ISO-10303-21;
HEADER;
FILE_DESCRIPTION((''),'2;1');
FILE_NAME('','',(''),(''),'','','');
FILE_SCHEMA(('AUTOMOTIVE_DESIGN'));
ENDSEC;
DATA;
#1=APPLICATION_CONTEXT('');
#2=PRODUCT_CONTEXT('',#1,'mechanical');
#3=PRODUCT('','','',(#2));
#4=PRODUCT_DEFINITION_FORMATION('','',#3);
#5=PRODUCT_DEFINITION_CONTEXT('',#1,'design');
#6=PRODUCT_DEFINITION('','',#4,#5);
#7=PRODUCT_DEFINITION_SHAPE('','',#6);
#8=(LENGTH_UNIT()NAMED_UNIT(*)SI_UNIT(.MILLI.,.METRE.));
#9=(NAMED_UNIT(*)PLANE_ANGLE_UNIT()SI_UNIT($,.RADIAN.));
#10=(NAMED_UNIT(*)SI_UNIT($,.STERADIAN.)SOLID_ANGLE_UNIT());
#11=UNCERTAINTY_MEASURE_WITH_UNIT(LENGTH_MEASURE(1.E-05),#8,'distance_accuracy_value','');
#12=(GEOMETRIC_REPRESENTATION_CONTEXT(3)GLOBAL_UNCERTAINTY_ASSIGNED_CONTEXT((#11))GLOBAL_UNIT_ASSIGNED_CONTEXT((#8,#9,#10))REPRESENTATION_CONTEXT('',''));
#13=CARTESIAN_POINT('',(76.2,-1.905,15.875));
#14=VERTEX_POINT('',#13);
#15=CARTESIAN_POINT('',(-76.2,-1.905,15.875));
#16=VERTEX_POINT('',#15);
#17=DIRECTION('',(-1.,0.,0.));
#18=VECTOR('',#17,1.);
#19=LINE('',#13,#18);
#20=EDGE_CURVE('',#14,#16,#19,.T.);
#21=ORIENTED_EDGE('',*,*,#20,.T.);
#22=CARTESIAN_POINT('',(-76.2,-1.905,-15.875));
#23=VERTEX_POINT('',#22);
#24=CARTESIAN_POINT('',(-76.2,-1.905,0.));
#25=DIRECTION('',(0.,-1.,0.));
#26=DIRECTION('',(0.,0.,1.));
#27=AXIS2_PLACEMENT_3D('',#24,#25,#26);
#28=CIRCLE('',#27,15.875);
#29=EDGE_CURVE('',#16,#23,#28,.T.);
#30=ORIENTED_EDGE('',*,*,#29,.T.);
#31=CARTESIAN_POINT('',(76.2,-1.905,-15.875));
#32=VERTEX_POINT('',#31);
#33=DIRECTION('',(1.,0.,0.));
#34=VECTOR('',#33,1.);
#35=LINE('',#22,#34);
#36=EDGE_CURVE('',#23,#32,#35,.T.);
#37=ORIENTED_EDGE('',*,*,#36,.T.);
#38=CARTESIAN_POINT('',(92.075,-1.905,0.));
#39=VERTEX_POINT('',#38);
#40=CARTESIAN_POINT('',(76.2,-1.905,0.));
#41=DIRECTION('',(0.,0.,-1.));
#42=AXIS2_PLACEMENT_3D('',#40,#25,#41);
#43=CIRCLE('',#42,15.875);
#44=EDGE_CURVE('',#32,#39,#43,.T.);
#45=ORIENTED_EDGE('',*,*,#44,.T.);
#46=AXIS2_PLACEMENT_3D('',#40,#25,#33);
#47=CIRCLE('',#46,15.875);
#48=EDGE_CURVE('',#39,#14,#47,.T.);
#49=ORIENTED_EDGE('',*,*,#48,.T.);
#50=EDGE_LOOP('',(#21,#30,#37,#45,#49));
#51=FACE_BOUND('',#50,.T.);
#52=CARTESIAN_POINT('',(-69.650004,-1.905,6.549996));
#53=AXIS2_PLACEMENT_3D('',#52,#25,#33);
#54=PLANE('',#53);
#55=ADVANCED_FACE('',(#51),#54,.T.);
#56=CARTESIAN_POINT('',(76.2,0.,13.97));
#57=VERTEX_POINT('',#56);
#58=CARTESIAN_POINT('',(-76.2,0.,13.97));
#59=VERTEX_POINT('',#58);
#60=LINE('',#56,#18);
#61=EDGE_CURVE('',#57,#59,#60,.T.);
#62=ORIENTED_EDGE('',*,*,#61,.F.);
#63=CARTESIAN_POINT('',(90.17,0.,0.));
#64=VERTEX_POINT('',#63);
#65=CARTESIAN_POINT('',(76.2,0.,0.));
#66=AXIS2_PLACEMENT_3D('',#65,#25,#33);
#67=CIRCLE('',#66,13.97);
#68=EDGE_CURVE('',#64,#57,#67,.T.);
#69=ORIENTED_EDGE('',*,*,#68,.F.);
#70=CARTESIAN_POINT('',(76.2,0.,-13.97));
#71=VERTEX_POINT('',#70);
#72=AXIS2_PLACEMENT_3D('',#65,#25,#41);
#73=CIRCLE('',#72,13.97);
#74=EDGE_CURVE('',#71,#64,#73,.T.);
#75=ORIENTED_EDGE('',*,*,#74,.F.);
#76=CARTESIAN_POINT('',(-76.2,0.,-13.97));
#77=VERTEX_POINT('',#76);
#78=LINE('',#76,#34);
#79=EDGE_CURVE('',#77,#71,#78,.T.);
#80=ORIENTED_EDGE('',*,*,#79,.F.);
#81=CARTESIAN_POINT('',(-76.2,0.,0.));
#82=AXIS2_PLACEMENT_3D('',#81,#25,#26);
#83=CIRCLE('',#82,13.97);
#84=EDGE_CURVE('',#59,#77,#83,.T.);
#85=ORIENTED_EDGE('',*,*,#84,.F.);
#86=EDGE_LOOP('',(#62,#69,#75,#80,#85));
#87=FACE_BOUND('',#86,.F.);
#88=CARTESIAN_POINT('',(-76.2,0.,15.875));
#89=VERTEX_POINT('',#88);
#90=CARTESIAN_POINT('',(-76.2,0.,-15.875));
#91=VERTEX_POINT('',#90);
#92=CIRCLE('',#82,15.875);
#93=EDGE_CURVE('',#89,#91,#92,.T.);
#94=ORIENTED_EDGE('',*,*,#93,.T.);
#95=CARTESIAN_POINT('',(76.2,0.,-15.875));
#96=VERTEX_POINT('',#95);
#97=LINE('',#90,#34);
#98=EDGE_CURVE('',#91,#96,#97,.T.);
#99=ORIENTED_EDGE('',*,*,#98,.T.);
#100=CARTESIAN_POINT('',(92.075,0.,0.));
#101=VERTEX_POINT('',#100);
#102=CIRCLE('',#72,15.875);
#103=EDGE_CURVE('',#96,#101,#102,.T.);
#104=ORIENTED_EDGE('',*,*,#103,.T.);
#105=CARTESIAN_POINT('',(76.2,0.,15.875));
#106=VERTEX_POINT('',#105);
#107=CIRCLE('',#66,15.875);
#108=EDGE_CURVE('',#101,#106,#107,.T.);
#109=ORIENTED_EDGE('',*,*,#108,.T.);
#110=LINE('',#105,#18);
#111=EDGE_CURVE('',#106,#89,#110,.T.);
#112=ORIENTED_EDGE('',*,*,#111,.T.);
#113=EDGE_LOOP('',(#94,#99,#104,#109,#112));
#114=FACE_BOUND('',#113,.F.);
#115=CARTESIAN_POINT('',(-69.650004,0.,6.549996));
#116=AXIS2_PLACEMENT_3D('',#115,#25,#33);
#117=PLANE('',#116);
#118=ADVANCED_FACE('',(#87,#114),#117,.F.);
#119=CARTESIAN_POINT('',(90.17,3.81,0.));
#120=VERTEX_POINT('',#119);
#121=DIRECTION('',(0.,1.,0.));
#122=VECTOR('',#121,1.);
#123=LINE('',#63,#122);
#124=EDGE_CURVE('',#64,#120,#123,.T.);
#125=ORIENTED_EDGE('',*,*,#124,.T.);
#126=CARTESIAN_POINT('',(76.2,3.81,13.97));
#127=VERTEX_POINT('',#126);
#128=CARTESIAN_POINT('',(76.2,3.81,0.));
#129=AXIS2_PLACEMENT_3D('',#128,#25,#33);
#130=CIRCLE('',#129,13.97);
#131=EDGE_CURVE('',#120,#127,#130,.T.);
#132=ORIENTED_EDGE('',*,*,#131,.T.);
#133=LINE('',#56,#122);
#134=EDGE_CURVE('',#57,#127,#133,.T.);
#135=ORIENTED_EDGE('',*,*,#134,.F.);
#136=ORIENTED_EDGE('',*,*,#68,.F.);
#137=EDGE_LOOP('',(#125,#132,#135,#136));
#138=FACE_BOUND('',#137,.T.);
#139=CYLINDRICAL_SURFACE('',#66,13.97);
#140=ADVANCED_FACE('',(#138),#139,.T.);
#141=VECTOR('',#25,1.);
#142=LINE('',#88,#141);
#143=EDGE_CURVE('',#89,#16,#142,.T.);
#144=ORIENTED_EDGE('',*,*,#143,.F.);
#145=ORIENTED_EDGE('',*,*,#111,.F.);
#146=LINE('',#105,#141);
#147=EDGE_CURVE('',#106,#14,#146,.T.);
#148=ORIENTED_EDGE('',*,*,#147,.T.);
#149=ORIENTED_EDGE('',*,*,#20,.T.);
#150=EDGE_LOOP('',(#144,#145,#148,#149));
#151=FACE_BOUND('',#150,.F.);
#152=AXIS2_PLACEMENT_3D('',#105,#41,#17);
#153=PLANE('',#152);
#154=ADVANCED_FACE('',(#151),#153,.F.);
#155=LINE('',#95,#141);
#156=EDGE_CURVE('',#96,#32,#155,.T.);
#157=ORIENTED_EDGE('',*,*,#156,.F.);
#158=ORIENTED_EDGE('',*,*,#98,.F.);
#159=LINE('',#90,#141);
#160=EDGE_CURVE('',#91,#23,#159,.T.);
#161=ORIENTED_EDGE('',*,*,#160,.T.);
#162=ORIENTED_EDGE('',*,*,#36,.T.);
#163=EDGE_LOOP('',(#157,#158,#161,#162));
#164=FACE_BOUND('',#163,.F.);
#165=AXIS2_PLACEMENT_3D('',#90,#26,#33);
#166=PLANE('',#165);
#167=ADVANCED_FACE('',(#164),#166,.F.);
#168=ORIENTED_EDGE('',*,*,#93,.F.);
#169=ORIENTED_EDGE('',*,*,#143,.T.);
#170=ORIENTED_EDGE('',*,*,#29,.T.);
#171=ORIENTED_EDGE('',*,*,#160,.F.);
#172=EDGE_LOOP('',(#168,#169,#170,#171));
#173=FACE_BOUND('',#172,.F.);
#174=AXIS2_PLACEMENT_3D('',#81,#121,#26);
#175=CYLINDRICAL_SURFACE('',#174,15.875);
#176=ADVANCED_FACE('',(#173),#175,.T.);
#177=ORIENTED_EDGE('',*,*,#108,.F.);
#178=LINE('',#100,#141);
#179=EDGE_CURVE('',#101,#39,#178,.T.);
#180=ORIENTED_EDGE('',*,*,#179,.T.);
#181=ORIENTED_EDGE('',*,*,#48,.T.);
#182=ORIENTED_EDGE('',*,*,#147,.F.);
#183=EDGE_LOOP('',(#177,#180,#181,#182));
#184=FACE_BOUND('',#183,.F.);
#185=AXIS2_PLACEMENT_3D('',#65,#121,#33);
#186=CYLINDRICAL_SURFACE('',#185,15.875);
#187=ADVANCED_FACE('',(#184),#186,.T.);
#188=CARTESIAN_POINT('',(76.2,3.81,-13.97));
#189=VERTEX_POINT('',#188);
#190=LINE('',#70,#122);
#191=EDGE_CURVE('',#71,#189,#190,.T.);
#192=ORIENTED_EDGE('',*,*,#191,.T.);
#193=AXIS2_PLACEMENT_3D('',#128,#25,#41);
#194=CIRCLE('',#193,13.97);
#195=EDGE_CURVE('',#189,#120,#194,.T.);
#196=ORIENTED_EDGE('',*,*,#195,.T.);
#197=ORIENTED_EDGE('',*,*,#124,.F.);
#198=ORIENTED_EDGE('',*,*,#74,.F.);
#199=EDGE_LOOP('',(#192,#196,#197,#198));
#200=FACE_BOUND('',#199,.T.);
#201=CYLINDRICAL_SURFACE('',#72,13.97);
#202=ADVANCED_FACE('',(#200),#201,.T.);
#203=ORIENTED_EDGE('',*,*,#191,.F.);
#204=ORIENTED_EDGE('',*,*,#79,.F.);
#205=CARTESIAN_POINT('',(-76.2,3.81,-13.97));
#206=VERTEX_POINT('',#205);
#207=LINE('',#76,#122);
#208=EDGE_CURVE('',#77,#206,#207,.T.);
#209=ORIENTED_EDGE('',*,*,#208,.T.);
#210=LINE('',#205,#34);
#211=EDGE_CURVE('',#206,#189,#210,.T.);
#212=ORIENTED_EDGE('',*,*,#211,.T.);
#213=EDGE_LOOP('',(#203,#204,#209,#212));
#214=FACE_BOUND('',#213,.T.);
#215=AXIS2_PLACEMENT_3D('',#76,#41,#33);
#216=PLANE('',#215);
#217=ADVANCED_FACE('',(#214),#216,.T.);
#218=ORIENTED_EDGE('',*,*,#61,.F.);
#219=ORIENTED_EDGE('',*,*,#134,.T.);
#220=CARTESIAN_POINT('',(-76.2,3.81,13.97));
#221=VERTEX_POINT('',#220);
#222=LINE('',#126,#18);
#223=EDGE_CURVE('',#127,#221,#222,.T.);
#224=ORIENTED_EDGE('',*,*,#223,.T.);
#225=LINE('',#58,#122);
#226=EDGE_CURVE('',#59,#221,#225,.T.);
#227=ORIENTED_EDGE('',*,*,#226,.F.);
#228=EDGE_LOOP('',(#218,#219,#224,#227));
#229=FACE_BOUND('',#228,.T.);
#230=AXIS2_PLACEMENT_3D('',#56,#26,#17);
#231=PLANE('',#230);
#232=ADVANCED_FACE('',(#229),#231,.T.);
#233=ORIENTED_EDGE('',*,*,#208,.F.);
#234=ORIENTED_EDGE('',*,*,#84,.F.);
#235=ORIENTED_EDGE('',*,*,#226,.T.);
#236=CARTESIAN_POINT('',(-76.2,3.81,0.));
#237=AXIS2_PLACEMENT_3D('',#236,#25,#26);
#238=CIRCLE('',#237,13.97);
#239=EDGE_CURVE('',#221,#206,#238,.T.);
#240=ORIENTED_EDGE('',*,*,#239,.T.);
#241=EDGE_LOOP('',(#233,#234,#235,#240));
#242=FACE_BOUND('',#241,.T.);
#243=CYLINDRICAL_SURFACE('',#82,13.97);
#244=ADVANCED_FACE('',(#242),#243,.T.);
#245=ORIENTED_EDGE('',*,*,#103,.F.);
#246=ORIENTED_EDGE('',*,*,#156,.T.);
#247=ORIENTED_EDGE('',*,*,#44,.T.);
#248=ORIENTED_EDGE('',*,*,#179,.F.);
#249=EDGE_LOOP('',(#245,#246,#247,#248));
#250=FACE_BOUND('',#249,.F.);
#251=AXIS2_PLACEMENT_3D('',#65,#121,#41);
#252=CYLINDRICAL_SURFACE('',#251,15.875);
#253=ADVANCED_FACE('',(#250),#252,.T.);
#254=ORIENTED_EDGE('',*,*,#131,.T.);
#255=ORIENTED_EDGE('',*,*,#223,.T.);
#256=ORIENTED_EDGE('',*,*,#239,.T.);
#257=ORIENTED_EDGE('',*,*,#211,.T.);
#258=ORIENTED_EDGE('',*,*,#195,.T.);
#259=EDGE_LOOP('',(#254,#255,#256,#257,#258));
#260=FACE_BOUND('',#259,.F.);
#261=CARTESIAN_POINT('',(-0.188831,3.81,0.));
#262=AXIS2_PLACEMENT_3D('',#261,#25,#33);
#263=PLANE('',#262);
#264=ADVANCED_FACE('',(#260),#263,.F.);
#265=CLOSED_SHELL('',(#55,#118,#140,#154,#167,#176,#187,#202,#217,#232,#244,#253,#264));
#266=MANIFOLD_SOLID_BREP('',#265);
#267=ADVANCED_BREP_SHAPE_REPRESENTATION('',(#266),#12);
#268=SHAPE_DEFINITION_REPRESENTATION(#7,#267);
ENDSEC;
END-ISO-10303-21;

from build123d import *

# Parameters (mm, degrees)
F2_DEPTH = 1.905
F3_DEPTH = 3.81


with BuildPart() as f2:
    # F0 (on Front) → F2 (new body)
    with BuildSketch(Plane.XZ):
        with BuildLine():
            Line((-76.2, 15.875), (-76.2, 0))
            Line((-76.2, 0), (-60.325, 0))
            ThreePointArc((-60.325, 0), (-64.9746798487, 11.2253201513), (-76.2, 15.875))
        make_face()
        with BuildLine():
            Line((-60.325, 0), (-76.2, 0))
            Line((-76.2, 0), (-76.2, -15.875))
            ThreePointArc((-76.2, -15.875), (-64.9746798487, -11.2253201513), (-60.325, 0))
        make_face()
        with BuildLine():
            Line((-76.2, -15.875), (-76.2, 0))
            Line((-76.2, 0), (-76.2, 15.875))
            ThreePointArc((-76.2, 15.875), (-92.075, 0), (-76.2, -15.875))
        make_face()
        with BuildLine():
            ThreePointArc((-76.2, 15.875), (-64.9746798487, 11.2253201513), (-60.325, 0))
            Line((-60.325, 0), (60.325, 0))
            ThreePointArc((60.325, 0), (64.9746798487, 11.2253201513), (76.2, 15.875))
            Line((76.2, 15.875), (-76.2, 15.875))
        make_face()
        with BuildLine():
            Line((60.325, 0), (-60.325, 0))
            ThreePointArc((-60.325, 0), (-64.9746798487, -11.2253201513), (-76.2, -15.875))
            Line((-76.2, -15.875), (76.2, -15.875))
            ThreePointArc((76.2, -15.875), (64.9746798487, -11.2253201513), (60.325, 0))
        make_face()
        with BuildLine():
            ThreePointArc((76.2, 15.875), (64.9746798487, 11.2253201513), (60.325, 0))
            Line((60.325, 0), (76.2, 0))
            Line((76.2, 0), (76.2, 15.875))
        make_face()
        with BuildLine():
            Line((76.2, 0), (60.325, 0))
            ThreePointArc((60.325, 0), (64.9746798487, -11.2253201513), (76.2, -15.875))
            Line((76.2, -15.875), (76.2, 0))
        make_face()
        with BuildLine():
            Line((76.2, 0), (76.2, -15.875))
            ThreePointArc((76.2, -15.875), (87.4253201513, -11.2253201513), (92.075, 0))
            ThreePointArc((92.075, 0), (87.4253201513, 11.2253201513), (76.2, 15.875))
            Line((76.2, 15.875), (76.2, 0))
        make_face()
    extrude(amount=F2_DEPTH)

    # F1 (on Front) → F3 (join)
    with BuildSketch(Plane.XZ):
        with BuildLine():
            ThreePointArc((76.2, -13.97), (62.23, 0), (76.2, 13.97))
            Line((76.2, 13.97), (-76.2, 13.97))
            ThreePointArc((-76.2, 13.97), (-66.3217182668, 9.8782817332), (-62.23, 0))
            ThreePointArc((-62.23, 0), (-66.3217182668, -9.8782817332), (-76.2, -13.97))
            Line((-76.2, -13.97), (76.2, -13.97))
        make_face()
        with BuildLine():
            ThreePointArc((90.17, 0), (86.0782817332, 9.8782817332), (76.2, 13.97))
            Line((76.2, 13.97), (76.2, -13.97))
            ThreePointArc((76.2, -13.97), (86.0782817332, -9.8782817332), (90.17, 0))
        make_face()
        with BuildLine():
            Line((76.2, -13.97), (76.2, 13.97))
            ThreePointArc((76.2, 13.97), (62.23, 0), (76.2, -13.97))
        make_face()
        with BuildLine():
            ThreePointArc((-62.23, 0), (-66.3217182668, 9.8782817332), (-76.2, 13.97))
            Line((-76.2, 13.97), (-76.2, -13.97))
            ThreePointArc((-76.2, -13.97), (-66.3217182668, -9.8782817332), (-62.23, 0))
        make_face()
        with BuildLine():
            Line((-76.2, -13.97), (-76.2, 13.97))
            ThreePointArc((-76.2, 13.97), (-90.17, 0), (-76.2, -13.97))
        make_face()
    extrude(amount=-F3_DEPTH)


solid = f2.part
